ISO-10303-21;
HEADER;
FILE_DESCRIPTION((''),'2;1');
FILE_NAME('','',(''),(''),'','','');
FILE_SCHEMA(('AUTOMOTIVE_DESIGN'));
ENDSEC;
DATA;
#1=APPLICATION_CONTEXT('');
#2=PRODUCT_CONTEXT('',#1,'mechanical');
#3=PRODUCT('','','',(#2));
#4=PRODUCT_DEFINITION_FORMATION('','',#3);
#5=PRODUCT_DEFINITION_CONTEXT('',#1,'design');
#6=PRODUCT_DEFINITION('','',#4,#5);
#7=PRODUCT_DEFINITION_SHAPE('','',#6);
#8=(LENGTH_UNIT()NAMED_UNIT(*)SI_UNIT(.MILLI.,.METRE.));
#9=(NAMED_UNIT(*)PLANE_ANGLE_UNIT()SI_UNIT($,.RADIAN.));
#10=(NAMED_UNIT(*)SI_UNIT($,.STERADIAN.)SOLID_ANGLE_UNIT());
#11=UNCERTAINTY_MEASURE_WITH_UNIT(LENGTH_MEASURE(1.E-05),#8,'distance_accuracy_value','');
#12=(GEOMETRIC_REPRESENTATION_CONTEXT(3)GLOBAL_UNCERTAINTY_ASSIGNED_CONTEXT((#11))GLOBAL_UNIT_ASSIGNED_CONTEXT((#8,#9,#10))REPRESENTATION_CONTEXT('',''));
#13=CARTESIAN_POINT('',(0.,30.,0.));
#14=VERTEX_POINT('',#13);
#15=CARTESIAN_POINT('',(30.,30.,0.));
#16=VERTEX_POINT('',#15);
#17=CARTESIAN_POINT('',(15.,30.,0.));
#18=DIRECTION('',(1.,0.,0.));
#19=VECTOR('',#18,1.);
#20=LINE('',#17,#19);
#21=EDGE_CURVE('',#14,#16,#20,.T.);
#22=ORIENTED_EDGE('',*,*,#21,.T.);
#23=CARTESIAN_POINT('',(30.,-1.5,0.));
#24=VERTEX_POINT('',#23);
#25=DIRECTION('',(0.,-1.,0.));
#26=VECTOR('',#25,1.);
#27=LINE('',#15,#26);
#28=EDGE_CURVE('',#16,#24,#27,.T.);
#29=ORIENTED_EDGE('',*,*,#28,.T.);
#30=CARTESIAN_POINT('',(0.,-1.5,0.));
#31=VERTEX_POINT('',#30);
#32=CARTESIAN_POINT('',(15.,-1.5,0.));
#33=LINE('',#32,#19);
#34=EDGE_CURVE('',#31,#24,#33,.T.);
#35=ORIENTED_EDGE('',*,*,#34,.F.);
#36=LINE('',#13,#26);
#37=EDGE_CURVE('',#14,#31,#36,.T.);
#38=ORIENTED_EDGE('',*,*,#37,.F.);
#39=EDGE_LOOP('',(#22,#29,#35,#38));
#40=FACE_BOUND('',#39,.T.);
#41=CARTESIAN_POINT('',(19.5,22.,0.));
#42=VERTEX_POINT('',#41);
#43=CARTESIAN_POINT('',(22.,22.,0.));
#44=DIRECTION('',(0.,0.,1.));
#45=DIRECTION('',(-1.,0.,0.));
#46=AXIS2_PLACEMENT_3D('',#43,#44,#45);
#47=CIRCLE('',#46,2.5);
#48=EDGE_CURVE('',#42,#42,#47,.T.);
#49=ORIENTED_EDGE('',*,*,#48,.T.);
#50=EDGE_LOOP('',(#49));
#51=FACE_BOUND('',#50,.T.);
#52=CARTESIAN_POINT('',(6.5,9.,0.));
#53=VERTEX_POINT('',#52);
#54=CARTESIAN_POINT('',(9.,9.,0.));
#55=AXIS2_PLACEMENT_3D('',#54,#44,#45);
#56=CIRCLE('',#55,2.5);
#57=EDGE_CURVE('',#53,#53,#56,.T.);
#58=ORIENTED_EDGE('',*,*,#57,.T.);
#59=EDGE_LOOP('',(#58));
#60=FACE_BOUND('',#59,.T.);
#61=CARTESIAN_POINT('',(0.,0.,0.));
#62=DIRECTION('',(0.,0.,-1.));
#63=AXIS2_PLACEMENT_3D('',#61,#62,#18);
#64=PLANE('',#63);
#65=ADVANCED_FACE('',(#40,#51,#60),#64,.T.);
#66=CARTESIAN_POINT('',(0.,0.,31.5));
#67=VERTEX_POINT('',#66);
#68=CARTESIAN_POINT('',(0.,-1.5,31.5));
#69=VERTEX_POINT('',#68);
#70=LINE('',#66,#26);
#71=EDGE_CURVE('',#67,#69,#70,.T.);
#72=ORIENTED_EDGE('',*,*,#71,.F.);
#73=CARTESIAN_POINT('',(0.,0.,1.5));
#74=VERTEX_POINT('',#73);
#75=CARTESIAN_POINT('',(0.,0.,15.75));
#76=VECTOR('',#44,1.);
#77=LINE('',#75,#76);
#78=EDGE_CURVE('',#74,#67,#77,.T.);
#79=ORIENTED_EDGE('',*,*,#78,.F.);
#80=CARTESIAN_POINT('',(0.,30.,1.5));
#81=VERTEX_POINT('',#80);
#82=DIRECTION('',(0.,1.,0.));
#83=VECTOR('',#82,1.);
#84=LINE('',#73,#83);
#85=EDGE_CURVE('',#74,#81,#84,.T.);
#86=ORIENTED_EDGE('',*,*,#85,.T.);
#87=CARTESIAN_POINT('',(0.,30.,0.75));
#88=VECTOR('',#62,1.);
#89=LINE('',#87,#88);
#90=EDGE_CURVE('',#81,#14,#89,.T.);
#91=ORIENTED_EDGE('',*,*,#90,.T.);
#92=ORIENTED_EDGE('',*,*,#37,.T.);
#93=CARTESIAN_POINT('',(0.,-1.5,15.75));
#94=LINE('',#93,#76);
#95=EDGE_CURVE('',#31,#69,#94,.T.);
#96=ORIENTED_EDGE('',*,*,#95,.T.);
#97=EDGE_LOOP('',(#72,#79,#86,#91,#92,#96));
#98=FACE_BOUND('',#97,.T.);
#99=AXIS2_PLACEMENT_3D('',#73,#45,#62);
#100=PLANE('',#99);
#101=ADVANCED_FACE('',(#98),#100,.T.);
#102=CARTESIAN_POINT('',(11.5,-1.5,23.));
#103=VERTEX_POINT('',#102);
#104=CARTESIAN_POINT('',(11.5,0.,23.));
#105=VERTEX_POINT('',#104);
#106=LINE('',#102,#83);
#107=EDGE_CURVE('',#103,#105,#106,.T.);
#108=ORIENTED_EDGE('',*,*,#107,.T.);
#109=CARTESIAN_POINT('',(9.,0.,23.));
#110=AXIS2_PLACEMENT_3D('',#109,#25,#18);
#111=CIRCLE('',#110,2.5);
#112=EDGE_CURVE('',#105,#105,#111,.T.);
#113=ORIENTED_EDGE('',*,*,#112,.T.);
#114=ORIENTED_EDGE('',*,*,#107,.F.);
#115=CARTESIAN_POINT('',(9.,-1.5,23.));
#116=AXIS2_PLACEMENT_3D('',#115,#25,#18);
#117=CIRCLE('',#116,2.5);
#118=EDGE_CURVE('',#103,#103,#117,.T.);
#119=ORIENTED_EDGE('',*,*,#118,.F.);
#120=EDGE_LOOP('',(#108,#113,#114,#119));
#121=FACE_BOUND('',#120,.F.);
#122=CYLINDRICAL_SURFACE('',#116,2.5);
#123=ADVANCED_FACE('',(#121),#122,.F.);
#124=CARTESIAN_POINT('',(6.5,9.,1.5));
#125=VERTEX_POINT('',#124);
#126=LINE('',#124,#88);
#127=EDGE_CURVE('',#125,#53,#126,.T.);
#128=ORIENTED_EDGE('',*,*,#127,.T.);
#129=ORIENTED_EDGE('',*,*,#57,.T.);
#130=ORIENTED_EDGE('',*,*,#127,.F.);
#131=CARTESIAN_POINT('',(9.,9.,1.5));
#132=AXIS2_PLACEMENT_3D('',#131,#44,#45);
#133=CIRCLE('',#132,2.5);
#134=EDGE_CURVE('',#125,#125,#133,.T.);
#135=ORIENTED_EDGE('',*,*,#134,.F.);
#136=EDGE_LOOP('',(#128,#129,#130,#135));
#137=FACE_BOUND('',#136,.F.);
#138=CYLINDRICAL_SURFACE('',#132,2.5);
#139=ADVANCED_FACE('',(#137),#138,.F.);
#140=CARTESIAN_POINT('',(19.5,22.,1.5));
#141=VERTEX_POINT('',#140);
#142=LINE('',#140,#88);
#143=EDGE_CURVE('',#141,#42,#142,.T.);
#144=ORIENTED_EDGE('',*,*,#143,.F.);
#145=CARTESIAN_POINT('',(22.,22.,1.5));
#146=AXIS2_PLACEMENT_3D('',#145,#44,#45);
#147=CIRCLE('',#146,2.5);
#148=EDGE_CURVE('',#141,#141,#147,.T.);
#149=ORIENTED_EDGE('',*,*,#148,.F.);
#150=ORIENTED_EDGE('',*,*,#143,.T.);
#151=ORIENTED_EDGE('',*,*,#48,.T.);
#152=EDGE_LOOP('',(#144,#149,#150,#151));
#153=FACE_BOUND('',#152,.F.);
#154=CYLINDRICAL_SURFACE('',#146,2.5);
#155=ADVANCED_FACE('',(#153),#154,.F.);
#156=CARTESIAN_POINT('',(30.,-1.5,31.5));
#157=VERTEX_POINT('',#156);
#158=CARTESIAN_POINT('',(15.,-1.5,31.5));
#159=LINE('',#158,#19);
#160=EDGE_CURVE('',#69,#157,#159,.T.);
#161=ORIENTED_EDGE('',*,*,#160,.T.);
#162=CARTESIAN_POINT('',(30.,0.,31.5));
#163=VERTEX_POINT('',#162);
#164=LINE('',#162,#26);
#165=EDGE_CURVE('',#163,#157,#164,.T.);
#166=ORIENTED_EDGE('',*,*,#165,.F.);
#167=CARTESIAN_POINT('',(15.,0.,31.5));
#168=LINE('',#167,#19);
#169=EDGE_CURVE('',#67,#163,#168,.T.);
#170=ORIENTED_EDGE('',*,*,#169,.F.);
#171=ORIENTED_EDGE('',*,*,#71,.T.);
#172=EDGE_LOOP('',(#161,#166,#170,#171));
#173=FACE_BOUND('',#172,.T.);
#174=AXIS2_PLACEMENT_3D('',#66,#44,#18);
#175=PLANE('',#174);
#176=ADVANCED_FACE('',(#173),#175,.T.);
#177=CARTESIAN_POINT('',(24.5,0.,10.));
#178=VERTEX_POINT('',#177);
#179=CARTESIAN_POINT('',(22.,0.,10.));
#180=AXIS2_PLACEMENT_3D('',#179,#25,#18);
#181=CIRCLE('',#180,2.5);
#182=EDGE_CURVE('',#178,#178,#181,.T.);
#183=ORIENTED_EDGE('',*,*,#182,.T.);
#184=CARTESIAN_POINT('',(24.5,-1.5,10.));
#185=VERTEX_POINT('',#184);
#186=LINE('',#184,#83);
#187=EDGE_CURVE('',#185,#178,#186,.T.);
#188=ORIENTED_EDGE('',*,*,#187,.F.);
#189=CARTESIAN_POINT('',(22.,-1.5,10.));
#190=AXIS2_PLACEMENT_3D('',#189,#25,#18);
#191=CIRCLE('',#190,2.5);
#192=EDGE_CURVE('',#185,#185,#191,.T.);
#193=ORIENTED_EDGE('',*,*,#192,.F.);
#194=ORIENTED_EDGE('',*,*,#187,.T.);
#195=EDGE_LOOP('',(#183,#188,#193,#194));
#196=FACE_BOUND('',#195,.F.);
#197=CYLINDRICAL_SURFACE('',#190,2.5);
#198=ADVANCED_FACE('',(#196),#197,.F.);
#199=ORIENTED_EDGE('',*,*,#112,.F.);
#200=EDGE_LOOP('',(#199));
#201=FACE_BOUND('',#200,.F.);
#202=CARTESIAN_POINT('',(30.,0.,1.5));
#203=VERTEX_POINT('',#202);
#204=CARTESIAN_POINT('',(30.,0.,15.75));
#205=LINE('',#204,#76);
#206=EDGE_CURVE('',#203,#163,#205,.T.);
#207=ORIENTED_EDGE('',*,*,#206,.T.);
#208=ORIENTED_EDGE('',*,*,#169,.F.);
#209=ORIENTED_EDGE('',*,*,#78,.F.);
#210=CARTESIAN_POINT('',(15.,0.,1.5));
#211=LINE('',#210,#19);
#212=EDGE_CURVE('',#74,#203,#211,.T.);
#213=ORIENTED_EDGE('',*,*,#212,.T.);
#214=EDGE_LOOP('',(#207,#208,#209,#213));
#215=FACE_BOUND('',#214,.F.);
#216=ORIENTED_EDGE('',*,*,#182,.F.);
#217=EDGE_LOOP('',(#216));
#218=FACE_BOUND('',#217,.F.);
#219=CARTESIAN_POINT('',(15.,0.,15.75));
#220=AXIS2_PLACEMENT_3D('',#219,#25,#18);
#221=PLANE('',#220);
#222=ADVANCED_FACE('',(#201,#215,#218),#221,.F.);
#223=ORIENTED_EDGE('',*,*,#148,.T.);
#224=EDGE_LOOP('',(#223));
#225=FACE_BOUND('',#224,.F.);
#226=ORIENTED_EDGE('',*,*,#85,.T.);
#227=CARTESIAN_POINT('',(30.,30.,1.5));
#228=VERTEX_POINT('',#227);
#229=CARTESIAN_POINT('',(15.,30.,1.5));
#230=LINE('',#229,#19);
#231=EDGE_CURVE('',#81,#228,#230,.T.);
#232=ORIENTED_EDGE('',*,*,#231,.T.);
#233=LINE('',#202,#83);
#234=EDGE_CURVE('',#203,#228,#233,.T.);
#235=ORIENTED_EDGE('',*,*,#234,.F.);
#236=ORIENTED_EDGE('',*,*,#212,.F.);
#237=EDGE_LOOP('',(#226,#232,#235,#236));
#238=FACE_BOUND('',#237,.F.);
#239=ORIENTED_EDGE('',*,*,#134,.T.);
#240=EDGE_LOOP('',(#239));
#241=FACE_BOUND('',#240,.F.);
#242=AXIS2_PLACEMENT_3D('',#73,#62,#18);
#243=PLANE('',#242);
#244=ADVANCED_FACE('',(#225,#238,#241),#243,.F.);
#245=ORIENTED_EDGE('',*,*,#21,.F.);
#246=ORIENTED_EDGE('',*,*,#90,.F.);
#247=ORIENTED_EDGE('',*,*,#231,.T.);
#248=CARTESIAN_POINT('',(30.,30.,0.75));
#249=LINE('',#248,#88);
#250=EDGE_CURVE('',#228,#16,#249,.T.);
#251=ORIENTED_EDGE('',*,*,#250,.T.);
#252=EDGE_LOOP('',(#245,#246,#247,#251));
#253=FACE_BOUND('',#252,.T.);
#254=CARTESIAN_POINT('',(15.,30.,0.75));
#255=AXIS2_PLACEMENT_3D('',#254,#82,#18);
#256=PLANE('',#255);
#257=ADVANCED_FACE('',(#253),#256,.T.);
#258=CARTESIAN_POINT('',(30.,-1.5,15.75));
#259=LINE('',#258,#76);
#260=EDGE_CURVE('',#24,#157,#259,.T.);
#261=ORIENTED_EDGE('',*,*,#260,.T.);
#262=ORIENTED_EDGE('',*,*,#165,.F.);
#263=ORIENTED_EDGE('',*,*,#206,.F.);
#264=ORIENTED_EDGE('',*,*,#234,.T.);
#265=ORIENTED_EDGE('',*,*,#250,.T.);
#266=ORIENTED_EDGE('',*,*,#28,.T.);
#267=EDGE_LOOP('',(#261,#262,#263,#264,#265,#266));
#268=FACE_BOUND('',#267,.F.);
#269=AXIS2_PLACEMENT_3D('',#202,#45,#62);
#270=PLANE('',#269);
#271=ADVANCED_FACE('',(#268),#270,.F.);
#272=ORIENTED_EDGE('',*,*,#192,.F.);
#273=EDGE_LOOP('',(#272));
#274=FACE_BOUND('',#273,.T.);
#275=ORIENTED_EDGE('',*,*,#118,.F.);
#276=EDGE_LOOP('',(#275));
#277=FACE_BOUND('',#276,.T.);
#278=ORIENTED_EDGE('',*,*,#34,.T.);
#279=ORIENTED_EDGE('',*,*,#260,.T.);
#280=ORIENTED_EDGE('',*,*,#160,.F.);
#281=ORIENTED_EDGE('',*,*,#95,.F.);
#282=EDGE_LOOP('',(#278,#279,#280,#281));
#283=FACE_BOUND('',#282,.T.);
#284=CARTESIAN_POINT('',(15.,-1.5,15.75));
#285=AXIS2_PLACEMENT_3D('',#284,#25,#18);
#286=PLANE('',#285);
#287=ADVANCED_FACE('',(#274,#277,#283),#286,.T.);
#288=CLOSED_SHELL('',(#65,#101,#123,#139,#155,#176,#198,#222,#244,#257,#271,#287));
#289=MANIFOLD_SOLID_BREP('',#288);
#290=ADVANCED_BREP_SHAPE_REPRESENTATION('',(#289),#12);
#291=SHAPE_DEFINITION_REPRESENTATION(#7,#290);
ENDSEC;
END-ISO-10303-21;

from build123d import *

# Parameters (mm, degrees)
SKETCH_W        = 30
SKETCH_H        = 31.5
PAD_DEPTH       = 1.5
SKETCH001_R     = 2.5
POCKET_DEPTH    = 1.501
SKETCH002_W     = 30
SKETCH002_H     = 1.5
PAD001_DEPTH    = 30
SKETCH003_R     = 2.5
POCKET001_DEPTH = 1.501


with BuildPart() as part:
    # Sketch → Pad (new body)
    with BuildSketch(Plane.XZ):
        with Locations((15, 15.75)):
            Rectangle(SKETCH_W, SKETCH_H)
    extrude(amount=PAD_DEPTH)

    # Sketch001 (on Face6 of Pad) → Pocket (cut, through all)
    with BuildSketch(Plane.XZ.offset(1.5)):
        with Locations((22, 10)):
            Circle(SKETCH001_R)
        with Locations((9, 23)):
            Circle(SKETCH001_R)
    extrude(amount=-POCKET_DEPTH, mode=Mode.SUBTRACT)

    # Sketch002 (on Face4 of Pocket) → Pad001 (join)
    with BuildSketch(Plane(origin=(0, 0, 0), x_dir=(1, 0, 0), z_dir=(0, 1, 0))):
        with Locations((15, -0.75)):
            Rectangle(SKETCH002_W, SKETCH002_H)
    extrude(amount=PAD001_DEPTH)

    # Sketch003 (on Face13 of Pad001) → Pocket001 (cut, through all)
    with BuildSketch(Plane(origin=(0, 0, 1.5), x_dir=(-1, 0, 0), z_dir=(0, 0, 1))):
        with Locations((-9, -9)):
            Circle(SKETCH003_R)
        with Locations((-22, -22)):
            Circle(SKETCH003_R)
    extrude(amount=-POCKET001_DEPTH, mode=Mode.SUBTRACT)


solid = part.part
